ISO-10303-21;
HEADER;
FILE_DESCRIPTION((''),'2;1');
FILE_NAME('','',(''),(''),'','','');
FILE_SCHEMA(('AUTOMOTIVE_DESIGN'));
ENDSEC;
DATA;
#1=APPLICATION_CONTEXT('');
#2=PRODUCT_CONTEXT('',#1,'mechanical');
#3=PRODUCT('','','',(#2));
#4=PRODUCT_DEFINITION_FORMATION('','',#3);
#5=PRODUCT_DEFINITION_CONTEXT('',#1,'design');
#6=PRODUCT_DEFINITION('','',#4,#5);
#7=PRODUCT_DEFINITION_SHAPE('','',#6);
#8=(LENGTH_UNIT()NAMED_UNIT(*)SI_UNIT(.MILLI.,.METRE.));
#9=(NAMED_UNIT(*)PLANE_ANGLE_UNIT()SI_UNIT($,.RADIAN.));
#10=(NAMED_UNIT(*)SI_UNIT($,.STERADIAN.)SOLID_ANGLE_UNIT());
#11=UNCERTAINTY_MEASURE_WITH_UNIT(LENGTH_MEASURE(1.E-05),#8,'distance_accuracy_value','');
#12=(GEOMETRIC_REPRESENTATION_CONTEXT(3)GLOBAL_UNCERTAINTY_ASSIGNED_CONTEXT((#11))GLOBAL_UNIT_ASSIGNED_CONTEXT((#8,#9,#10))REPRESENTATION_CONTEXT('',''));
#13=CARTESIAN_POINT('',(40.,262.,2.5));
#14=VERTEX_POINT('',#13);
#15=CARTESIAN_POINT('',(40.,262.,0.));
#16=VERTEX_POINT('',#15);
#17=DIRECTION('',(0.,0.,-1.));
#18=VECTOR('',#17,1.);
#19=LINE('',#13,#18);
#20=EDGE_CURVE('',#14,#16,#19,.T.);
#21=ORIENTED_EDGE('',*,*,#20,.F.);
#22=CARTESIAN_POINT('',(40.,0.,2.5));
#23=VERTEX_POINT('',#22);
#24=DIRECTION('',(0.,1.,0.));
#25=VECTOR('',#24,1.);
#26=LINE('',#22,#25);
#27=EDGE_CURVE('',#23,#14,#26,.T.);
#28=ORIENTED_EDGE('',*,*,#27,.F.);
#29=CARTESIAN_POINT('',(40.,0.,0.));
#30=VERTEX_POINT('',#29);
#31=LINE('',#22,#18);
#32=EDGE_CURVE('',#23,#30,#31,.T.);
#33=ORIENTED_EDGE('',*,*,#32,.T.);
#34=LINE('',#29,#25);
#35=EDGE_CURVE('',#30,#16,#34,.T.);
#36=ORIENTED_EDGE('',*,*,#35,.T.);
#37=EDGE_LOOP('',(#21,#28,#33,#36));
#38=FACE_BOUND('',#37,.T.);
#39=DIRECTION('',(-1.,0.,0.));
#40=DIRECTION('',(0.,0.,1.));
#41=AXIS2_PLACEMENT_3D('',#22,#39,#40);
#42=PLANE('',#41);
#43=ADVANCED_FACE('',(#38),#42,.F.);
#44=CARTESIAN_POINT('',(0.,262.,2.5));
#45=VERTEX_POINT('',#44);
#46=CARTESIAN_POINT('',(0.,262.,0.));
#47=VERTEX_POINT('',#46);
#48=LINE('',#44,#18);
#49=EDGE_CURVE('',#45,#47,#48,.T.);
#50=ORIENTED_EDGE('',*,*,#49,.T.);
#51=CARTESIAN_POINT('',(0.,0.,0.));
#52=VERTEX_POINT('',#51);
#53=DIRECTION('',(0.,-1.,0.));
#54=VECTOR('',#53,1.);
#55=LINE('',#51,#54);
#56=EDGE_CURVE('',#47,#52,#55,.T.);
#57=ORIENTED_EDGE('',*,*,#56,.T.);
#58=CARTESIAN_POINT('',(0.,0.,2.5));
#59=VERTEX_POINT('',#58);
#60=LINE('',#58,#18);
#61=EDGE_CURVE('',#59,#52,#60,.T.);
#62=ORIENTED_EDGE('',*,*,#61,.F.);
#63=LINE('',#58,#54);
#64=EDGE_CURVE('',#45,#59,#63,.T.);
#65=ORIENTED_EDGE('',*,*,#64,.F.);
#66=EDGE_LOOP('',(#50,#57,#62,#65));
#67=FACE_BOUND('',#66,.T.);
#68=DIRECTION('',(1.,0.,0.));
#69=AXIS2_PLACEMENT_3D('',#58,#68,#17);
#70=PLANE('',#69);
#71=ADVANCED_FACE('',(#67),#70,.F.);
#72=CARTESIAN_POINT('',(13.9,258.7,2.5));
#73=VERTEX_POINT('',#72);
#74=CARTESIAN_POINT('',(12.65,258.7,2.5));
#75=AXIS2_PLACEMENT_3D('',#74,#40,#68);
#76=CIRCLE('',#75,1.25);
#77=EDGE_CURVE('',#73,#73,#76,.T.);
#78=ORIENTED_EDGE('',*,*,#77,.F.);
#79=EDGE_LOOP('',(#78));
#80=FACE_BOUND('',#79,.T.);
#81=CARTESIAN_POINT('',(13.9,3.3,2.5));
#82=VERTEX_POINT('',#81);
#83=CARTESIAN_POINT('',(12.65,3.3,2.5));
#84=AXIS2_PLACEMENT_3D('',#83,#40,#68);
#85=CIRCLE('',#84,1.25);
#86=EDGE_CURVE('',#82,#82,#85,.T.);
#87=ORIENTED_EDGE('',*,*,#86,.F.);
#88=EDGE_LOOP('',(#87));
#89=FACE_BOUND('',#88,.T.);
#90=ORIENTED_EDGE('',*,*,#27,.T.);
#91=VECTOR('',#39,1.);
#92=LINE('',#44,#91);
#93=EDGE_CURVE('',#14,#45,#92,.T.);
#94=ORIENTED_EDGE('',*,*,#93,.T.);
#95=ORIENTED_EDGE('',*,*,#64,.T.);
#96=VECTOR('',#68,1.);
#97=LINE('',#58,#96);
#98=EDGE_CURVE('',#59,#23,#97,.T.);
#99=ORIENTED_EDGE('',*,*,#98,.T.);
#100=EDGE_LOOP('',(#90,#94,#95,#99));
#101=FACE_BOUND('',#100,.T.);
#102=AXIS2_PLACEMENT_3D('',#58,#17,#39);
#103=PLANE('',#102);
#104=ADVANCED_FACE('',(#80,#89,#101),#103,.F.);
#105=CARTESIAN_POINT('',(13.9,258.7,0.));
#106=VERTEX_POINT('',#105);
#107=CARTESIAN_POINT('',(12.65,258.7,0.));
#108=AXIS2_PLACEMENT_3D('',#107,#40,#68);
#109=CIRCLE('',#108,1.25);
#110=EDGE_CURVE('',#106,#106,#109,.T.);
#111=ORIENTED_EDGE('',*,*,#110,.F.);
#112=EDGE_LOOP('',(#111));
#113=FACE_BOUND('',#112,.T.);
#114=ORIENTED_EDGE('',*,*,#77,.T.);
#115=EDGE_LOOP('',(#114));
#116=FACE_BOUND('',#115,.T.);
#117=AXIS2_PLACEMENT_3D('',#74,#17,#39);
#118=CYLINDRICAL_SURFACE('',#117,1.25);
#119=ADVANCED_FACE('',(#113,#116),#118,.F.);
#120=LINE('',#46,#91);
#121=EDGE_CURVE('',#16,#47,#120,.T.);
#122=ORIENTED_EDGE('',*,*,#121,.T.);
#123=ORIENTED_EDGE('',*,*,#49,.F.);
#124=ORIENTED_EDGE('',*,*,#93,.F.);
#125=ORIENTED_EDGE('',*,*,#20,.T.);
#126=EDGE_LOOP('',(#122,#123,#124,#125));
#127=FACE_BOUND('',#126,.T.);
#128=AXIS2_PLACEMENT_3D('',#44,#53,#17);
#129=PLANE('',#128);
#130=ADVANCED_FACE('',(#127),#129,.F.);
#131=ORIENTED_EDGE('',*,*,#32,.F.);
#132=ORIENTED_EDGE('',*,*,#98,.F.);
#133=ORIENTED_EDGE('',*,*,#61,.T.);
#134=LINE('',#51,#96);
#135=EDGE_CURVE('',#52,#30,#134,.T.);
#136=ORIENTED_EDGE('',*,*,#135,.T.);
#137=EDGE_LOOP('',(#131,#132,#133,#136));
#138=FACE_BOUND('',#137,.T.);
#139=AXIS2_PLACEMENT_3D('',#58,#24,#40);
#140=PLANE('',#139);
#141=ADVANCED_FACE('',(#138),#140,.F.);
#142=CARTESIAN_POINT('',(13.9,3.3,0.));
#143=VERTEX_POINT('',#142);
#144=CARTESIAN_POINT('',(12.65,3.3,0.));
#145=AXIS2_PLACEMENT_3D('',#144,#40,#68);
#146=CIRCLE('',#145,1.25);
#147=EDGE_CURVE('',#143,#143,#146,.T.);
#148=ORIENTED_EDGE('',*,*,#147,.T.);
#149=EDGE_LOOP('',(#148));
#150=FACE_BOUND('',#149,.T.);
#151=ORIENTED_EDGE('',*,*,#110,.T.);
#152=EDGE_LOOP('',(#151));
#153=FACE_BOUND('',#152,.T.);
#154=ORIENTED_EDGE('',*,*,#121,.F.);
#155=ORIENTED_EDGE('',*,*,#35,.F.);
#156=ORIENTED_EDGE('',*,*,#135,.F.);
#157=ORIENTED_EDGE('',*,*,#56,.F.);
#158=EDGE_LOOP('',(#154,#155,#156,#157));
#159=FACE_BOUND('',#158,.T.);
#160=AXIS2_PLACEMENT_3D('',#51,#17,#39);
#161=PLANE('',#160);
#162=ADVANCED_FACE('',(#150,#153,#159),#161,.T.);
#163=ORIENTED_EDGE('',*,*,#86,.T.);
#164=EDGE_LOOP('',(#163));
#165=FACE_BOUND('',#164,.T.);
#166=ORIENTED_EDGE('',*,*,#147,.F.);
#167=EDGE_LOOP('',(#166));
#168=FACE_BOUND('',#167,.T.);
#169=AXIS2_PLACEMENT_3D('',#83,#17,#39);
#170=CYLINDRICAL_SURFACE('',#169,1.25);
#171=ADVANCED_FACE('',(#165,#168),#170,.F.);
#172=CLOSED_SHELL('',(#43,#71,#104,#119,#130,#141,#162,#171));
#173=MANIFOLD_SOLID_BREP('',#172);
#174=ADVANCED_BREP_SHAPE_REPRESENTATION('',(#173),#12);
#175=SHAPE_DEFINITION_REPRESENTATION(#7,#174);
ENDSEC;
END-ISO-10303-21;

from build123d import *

# Parameters (mm, degrees)
SKETCH1_W           = 40
SKETCH1_H           = 262
SKETCH1_R           = 1.25
BOSS_EXTRUDE1_DEPTH = 2.5


with BuildPart() as part:
    # Sketch1 → Boss-Extrude1 (new body)
    with BuildSketch(Plane.XY):
        with Locations((20, 131)):
            Rectangle(SKETCH1_W, SKETCH1_H)
        with Locations((12.65, 258.7)):
            Circle(SKETCH1_R, mode=Mode.SUBTRACT)
        with Locations((12.65, 3.3)):
            Circle(SKETCH1_R, mode=Mode.SUBTRACT)
    extrude(amount=BOSS_EXTRUDE1_DEPTH)


solid = part.part
